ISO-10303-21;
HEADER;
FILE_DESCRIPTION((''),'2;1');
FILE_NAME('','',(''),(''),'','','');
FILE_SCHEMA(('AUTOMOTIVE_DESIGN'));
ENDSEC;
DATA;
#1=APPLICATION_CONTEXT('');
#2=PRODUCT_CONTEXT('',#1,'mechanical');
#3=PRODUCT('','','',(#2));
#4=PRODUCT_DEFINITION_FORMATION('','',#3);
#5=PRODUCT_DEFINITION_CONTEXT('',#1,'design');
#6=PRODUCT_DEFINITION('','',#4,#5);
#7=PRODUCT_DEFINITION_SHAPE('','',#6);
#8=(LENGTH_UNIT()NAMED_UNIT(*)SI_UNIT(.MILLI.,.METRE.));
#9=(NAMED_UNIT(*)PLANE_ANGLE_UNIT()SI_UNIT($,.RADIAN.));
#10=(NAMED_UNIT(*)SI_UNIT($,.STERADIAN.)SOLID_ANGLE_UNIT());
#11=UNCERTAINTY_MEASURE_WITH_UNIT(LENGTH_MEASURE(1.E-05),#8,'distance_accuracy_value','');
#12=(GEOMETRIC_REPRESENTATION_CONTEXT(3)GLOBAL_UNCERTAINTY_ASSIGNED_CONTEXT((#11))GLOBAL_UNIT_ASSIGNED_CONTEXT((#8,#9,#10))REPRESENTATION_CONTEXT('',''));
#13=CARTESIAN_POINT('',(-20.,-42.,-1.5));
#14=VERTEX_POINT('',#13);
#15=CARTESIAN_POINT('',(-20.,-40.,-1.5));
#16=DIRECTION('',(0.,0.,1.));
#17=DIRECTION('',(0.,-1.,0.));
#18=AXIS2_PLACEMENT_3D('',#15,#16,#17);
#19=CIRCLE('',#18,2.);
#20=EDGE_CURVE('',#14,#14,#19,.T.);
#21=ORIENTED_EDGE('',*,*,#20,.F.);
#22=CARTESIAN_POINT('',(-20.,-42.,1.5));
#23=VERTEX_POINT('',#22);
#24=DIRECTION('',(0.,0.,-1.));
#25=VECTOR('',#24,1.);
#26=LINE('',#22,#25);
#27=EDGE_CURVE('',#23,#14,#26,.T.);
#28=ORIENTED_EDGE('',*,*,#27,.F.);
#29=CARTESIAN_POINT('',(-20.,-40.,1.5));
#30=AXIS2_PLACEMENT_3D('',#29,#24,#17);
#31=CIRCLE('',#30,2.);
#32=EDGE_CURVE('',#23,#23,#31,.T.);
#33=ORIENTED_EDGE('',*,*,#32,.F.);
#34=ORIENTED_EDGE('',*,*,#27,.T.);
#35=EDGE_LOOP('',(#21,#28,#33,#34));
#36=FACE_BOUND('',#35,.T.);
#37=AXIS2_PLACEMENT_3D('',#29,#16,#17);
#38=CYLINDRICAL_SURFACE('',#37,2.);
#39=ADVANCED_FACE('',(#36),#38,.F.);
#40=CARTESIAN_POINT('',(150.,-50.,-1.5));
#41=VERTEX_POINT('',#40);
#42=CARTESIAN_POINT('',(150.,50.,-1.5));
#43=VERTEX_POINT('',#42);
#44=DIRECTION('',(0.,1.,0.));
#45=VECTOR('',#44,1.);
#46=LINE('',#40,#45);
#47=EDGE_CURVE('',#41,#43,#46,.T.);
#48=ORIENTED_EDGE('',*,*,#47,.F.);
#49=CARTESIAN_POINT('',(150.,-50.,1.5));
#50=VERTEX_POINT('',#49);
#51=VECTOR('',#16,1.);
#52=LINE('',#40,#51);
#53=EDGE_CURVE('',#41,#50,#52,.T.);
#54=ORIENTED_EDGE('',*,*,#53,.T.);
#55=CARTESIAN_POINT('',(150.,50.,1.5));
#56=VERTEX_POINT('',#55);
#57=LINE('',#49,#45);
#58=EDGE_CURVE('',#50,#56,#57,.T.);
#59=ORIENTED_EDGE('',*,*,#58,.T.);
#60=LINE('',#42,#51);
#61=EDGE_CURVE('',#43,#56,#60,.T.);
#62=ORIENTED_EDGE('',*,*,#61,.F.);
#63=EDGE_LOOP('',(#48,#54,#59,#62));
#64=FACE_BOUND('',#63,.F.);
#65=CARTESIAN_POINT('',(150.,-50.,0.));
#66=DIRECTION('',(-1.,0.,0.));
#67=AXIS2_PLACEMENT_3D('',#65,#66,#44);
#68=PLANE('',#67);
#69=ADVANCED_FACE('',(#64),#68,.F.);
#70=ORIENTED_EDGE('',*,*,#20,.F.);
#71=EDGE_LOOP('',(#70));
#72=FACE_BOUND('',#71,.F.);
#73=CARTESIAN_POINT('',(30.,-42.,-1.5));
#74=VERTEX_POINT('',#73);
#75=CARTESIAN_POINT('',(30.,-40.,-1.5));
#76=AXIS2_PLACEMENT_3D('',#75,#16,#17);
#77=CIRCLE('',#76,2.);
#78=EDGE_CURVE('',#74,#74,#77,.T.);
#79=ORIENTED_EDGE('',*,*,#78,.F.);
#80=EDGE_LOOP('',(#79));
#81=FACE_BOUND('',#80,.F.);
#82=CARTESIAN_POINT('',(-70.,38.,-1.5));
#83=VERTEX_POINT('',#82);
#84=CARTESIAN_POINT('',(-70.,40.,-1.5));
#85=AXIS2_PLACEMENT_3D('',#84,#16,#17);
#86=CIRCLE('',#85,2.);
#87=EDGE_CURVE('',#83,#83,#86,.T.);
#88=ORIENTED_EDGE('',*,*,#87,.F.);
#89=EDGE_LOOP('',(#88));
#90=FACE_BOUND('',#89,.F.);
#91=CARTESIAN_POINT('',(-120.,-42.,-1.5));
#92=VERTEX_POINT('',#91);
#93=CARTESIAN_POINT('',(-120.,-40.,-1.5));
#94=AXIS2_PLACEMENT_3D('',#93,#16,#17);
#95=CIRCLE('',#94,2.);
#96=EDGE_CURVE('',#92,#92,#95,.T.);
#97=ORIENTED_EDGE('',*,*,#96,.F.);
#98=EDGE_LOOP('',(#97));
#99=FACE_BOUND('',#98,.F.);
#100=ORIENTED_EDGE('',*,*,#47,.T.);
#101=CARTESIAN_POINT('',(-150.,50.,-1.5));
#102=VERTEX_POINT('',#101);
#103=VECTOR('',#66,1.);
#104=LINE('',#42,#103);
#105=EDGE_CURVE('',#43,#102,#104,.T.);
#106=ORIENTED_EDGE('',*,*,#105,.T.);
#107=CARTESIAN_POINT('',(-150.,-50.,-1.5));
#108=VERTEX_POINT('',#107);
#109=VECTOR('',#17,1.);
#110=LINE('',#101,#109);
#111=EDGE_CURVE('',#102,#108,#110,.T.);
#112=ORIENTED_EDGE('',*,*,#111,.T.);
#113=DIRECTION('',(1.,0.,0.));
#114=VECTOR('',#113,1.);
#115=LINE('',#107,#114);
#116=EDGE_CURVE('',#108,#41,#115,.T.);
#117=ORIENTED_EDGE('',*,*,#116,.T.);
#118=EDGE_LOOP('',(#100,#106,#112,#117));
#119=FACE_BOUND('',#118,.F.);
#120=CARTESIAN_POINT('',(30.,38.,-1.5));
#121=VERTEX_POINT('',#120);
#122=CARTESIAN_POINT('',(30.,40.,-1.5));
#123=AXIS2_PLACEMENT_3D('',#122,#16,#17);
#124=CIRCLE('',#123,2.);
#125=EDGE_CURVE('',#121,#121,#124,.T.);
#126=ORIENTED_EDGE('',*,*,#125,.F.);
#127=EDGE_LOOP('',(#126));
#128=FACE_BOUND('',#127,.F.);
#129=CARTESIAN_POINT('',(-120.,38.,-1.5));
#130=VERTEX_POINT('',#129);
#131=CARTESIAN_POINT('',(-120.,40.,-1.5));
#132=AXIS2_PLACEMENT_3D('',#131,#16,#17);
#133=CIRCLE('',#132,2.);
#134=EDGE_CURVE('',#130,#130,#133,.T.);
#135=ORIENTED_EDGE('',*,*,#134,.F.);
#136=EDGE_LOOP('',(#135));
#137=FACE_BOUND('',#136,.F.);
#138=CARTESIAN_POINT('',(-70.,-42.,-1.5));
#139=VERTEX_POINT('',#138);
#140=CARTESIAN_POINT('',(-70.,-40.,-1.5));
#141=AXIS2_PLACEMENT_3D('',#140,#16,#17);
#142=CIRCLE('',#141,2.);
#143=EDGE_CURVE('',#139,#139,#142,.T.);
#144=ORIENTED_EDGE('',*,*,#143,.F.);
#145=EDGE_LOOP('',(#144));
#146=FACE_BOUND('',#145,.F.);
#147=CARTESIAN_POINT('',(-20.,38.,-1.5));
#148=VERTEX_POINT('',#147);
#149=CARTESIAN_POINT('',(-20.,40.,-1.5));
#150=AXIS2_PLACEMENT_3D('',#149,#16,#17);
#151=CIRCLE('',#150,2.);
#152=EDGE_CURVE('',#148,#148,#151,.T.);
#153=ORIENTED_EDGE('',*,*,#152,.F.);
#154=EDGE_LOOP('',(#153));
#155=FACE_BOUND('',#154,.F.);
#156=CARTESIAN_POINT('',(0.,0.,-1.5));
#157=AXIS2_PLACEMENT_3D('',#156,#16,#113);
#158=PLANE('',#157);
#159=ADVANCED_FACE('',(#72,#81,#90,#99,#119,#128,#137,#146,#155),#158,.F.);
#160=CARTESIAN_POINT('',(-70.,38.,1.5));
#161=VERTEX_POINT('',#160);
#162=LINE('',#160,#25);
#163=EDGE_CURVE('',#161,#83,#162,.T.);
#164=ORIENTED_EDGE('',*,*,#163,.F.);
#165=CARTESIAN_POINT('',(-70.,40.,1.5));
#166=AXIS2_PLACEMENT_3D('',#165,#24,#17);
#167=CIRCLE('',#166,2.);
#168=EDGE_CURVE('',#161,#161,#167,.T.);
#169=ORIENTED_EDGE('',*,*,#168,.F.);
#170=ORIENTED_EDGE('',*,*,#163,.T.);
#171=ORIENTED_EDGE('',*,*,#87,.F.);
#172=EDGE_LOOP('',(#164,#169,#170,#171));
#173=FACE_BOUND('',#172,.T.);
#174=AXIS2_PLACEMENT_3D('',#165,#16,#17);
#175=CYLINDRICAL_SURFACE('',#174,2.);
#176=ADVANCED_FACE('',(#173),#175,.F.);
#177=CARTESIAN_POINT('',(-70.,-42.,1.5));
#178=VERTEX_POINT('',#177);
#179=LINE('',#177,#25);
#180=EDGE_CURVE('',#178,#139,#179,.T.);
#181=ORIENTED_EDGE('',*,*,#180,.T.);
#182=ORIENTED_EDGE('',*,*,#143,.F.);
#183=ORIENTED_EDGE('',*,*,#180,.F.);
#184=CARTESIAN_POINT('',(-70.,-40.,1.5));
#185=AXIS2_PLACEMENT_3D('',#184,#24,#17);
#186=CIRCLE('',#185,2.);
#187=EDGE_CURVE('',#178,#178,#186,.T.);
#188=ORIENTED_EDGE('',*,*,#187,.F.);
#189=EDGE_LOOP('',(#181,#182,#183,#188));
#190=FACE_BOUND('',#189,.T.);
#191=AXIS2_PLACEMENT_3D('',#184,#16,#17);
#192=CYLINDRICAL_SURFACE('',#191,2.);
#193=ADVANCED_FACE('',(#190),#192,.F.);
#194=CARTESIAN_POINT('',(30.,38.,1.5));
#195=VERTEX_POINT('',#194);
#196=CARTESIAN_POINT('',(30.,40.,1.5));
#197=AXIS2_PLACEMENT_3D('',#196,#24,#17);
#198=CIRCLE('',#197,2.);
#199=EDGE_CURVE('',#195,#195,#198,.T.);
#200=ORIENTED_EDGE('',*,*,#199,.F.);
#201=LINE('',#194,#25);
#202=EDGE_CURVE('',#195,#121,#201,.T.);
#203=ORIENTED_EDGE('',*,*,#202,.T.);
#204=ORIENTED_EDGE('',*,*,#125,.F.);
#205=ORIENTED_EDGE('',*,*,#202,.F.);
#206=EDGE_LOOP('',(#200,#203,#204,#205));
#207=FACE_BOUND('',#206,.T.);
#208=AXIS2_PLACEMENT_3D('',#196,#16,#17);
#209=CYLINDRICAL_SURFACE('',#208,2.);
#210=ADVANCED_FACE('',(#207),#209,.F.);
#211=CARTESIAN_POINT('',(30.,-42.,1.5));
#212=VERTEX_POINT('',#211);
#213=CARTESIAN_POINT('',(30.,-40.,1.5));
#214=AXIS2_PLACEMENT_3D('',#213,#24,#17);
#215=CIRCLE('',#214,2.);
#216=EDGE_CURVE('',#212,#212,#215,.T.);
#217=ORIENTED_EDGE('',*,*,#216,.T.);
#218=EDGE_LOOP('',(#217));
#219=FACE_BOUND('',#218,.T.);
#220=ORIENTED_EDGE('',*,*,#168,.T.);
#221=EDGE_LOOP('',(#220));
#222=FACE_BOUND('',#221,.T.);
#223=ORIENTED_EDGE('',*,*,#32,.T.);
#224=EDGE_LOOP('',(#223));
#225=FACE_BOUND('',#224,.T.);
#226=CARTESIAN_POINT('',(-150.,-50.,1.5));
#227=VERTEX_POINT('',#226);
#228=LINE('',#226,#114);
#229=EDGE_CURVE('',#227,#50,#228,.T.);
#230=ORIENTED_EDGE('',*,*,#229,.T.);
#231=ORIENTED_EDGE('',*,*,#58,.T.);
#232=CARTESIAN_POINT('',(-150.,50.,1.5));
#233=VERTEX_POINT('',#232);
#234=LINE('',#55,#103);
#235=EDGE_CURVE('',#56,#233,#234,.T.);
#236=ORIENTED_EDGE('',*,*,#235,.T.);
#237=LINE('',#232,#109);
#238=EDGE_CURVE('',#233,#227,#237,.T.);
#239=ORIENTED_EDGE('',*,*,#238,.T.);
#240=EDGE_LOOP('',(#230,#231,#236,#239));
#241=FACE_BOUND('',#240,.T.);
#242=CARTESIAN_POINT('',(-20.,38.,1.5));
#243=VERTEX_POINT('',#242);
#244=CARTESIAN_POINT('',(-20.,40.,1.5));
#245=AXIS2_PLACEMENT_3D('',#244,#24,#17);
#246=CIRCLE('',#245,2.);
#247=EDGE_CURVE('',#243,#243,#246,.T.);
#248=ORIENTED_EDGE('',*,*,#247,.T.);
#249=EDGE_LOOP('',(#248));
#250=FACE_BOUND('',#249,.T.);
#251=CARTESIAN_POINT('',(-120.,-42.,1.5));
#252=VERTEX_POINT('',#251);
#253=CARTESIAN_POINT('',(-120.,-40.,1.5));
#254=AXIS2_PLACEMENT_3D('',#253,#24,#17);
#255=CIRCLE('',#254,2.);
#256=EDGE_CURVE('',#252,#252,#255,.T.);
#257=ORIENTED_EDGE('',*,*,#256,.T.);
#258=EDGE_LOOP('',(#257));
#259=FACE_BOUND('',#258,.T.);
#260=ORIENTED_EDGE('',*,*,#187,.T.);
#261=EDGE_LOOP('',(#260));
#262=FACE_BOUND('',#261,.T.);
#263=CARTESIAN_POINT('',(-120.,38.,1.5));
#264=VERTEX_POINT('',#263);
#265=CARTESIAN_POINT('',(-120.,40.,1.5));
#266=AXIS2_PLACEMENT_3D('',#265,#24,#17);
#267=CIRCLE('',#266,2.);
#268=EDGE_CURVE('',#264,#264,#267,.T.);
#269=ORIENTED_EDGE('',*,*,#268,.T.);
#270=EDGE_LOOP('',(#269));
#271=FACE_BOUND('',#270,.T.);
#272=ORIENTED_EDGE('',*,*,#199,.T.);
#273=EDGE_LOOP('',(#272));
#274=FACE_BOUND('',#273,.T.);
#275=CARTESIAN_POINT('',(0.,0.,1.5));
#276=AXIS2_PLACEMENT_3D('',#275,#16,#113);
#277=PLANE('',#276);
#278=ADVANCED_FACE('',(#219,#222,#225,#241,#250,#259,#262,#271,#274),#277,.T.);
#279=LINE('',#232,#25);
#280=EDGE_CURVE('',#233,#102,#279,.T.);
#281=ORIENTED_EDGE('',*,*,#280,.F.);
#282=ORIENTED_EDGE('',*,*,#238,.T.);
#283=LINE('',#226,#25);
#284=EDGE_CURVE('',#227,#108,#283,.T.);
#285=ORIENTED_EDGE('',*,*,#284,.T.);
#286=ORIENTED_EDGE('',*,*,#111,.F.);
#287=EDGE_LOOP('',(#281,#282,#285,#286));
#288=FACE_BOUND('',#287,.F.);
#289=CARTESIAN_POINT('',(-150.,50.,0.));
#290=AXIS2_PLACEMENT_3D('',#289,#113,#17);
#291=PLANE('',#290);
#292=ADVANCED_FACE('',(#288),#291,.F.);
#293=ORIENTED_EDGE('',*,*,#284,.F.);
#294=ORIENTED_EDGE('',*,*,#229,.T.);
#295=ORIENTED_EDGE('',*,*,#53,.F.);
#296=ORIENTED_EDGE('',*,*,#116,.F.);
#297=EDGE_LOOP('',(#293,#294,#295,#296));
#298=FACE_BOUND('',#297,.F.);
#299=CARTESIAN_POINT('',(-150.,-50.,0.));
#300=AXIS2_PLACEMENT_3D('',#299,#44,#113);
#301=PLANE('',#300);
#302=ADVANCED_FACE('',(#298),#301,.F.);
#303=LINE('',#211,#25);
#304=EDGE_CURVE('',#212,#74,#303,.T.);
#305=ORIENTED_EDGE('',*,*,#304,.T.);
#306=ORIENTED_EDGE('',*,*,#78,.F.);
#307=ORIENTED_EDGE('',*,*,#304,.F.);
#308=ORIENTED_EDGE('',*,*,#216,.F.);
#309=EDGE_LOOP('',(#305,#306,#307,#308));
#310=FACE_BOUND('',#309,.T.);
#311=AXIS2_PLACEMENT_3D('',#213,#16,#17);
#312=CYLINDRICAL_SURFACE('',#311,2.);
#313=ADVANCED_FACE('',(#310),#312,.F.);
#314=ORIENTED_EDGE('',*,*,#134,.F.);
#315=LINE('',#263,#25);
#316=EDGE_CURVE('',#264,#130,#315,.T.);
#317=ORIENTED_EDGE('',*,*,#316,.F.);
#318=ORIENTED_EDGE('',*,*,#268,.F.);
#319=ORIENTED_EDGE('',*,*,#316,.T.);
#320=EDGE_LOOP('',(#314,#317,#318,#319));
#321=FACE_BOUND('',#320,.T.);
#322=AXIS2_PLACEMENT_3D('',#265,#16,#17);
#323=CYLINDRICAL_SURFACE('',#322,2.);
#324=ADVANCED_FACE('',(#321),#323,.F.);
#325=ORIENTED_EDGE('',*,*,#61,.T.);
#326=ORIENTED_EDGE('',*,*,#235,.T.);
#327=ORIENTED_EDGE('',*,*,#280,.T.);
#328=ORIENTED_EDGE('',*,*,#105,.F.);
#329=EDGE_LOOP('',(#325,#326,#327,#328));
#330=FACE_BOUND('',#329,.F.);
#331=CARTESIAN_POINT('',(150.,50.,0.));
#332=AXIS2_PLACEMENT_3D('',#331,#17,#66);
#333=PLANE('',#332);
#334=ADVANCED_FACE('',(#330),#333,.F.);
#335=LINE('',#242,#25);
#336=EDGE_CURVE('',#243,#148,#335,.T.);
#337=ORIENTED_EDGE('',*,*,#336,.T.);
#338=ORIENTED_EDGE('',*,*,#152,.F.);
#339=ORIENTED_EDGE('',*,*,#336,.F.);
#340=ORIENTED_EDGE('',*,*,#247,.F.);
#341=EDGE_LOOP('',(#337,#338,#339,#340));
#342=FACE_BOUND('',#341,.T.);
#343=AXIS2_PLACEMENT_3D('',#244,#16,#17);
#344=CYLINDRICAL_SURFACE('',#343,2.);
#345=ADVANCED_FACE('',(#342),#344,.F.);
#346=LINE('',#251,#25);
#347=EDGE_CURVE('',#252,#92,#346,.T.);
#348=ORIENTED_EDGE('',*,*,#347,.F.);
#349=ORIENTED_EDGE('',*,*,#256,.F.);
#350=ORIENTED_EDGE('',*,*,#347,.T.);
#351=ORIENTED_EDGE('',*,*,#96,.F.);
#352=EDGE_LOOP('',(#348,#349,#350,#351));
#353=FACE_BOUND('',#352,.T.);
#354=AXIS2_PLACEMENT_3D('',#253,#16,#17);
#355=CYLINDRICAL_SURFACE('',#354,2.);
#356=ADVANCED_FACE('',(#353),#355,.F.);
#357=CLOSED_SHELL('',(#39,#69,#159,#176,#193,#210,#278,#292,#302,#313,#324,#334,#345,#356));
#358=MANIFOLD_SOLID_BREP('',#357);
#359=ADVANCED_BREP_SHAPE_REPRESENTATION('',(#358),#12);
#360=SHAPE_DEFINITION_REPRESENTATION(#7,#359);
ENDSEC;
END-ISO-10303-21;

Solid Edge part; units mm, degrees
sketch "Sketch1" plane through (0, 0, 0) normal (0, 0, 1) x (1, 0, 0)
  line L0 (-150, -50) -> (150, -50)
  line L1 (150, -50) -> (150, 50)
  line L2 (150, 50) -> (-150, 50)
  line L3 (-150, 50) -> (-150, -50)
  dimension "D1" = 100
  dimension "D2" = 300
extrude "Protrusion1" add sketch "Sketch1" along normal mid plane 3
hole "controller_holes" at (-120, 40, 1.5) direction (0, 0, -1) diameter 4 end up to next
pattern_linear "Pattern1" count 4 spacing 50 along (1, 0, 0) count 2 spacing 80 along (0, -1, 0) of "controller_holes"
properties material "St3ps GOST 380-94"
